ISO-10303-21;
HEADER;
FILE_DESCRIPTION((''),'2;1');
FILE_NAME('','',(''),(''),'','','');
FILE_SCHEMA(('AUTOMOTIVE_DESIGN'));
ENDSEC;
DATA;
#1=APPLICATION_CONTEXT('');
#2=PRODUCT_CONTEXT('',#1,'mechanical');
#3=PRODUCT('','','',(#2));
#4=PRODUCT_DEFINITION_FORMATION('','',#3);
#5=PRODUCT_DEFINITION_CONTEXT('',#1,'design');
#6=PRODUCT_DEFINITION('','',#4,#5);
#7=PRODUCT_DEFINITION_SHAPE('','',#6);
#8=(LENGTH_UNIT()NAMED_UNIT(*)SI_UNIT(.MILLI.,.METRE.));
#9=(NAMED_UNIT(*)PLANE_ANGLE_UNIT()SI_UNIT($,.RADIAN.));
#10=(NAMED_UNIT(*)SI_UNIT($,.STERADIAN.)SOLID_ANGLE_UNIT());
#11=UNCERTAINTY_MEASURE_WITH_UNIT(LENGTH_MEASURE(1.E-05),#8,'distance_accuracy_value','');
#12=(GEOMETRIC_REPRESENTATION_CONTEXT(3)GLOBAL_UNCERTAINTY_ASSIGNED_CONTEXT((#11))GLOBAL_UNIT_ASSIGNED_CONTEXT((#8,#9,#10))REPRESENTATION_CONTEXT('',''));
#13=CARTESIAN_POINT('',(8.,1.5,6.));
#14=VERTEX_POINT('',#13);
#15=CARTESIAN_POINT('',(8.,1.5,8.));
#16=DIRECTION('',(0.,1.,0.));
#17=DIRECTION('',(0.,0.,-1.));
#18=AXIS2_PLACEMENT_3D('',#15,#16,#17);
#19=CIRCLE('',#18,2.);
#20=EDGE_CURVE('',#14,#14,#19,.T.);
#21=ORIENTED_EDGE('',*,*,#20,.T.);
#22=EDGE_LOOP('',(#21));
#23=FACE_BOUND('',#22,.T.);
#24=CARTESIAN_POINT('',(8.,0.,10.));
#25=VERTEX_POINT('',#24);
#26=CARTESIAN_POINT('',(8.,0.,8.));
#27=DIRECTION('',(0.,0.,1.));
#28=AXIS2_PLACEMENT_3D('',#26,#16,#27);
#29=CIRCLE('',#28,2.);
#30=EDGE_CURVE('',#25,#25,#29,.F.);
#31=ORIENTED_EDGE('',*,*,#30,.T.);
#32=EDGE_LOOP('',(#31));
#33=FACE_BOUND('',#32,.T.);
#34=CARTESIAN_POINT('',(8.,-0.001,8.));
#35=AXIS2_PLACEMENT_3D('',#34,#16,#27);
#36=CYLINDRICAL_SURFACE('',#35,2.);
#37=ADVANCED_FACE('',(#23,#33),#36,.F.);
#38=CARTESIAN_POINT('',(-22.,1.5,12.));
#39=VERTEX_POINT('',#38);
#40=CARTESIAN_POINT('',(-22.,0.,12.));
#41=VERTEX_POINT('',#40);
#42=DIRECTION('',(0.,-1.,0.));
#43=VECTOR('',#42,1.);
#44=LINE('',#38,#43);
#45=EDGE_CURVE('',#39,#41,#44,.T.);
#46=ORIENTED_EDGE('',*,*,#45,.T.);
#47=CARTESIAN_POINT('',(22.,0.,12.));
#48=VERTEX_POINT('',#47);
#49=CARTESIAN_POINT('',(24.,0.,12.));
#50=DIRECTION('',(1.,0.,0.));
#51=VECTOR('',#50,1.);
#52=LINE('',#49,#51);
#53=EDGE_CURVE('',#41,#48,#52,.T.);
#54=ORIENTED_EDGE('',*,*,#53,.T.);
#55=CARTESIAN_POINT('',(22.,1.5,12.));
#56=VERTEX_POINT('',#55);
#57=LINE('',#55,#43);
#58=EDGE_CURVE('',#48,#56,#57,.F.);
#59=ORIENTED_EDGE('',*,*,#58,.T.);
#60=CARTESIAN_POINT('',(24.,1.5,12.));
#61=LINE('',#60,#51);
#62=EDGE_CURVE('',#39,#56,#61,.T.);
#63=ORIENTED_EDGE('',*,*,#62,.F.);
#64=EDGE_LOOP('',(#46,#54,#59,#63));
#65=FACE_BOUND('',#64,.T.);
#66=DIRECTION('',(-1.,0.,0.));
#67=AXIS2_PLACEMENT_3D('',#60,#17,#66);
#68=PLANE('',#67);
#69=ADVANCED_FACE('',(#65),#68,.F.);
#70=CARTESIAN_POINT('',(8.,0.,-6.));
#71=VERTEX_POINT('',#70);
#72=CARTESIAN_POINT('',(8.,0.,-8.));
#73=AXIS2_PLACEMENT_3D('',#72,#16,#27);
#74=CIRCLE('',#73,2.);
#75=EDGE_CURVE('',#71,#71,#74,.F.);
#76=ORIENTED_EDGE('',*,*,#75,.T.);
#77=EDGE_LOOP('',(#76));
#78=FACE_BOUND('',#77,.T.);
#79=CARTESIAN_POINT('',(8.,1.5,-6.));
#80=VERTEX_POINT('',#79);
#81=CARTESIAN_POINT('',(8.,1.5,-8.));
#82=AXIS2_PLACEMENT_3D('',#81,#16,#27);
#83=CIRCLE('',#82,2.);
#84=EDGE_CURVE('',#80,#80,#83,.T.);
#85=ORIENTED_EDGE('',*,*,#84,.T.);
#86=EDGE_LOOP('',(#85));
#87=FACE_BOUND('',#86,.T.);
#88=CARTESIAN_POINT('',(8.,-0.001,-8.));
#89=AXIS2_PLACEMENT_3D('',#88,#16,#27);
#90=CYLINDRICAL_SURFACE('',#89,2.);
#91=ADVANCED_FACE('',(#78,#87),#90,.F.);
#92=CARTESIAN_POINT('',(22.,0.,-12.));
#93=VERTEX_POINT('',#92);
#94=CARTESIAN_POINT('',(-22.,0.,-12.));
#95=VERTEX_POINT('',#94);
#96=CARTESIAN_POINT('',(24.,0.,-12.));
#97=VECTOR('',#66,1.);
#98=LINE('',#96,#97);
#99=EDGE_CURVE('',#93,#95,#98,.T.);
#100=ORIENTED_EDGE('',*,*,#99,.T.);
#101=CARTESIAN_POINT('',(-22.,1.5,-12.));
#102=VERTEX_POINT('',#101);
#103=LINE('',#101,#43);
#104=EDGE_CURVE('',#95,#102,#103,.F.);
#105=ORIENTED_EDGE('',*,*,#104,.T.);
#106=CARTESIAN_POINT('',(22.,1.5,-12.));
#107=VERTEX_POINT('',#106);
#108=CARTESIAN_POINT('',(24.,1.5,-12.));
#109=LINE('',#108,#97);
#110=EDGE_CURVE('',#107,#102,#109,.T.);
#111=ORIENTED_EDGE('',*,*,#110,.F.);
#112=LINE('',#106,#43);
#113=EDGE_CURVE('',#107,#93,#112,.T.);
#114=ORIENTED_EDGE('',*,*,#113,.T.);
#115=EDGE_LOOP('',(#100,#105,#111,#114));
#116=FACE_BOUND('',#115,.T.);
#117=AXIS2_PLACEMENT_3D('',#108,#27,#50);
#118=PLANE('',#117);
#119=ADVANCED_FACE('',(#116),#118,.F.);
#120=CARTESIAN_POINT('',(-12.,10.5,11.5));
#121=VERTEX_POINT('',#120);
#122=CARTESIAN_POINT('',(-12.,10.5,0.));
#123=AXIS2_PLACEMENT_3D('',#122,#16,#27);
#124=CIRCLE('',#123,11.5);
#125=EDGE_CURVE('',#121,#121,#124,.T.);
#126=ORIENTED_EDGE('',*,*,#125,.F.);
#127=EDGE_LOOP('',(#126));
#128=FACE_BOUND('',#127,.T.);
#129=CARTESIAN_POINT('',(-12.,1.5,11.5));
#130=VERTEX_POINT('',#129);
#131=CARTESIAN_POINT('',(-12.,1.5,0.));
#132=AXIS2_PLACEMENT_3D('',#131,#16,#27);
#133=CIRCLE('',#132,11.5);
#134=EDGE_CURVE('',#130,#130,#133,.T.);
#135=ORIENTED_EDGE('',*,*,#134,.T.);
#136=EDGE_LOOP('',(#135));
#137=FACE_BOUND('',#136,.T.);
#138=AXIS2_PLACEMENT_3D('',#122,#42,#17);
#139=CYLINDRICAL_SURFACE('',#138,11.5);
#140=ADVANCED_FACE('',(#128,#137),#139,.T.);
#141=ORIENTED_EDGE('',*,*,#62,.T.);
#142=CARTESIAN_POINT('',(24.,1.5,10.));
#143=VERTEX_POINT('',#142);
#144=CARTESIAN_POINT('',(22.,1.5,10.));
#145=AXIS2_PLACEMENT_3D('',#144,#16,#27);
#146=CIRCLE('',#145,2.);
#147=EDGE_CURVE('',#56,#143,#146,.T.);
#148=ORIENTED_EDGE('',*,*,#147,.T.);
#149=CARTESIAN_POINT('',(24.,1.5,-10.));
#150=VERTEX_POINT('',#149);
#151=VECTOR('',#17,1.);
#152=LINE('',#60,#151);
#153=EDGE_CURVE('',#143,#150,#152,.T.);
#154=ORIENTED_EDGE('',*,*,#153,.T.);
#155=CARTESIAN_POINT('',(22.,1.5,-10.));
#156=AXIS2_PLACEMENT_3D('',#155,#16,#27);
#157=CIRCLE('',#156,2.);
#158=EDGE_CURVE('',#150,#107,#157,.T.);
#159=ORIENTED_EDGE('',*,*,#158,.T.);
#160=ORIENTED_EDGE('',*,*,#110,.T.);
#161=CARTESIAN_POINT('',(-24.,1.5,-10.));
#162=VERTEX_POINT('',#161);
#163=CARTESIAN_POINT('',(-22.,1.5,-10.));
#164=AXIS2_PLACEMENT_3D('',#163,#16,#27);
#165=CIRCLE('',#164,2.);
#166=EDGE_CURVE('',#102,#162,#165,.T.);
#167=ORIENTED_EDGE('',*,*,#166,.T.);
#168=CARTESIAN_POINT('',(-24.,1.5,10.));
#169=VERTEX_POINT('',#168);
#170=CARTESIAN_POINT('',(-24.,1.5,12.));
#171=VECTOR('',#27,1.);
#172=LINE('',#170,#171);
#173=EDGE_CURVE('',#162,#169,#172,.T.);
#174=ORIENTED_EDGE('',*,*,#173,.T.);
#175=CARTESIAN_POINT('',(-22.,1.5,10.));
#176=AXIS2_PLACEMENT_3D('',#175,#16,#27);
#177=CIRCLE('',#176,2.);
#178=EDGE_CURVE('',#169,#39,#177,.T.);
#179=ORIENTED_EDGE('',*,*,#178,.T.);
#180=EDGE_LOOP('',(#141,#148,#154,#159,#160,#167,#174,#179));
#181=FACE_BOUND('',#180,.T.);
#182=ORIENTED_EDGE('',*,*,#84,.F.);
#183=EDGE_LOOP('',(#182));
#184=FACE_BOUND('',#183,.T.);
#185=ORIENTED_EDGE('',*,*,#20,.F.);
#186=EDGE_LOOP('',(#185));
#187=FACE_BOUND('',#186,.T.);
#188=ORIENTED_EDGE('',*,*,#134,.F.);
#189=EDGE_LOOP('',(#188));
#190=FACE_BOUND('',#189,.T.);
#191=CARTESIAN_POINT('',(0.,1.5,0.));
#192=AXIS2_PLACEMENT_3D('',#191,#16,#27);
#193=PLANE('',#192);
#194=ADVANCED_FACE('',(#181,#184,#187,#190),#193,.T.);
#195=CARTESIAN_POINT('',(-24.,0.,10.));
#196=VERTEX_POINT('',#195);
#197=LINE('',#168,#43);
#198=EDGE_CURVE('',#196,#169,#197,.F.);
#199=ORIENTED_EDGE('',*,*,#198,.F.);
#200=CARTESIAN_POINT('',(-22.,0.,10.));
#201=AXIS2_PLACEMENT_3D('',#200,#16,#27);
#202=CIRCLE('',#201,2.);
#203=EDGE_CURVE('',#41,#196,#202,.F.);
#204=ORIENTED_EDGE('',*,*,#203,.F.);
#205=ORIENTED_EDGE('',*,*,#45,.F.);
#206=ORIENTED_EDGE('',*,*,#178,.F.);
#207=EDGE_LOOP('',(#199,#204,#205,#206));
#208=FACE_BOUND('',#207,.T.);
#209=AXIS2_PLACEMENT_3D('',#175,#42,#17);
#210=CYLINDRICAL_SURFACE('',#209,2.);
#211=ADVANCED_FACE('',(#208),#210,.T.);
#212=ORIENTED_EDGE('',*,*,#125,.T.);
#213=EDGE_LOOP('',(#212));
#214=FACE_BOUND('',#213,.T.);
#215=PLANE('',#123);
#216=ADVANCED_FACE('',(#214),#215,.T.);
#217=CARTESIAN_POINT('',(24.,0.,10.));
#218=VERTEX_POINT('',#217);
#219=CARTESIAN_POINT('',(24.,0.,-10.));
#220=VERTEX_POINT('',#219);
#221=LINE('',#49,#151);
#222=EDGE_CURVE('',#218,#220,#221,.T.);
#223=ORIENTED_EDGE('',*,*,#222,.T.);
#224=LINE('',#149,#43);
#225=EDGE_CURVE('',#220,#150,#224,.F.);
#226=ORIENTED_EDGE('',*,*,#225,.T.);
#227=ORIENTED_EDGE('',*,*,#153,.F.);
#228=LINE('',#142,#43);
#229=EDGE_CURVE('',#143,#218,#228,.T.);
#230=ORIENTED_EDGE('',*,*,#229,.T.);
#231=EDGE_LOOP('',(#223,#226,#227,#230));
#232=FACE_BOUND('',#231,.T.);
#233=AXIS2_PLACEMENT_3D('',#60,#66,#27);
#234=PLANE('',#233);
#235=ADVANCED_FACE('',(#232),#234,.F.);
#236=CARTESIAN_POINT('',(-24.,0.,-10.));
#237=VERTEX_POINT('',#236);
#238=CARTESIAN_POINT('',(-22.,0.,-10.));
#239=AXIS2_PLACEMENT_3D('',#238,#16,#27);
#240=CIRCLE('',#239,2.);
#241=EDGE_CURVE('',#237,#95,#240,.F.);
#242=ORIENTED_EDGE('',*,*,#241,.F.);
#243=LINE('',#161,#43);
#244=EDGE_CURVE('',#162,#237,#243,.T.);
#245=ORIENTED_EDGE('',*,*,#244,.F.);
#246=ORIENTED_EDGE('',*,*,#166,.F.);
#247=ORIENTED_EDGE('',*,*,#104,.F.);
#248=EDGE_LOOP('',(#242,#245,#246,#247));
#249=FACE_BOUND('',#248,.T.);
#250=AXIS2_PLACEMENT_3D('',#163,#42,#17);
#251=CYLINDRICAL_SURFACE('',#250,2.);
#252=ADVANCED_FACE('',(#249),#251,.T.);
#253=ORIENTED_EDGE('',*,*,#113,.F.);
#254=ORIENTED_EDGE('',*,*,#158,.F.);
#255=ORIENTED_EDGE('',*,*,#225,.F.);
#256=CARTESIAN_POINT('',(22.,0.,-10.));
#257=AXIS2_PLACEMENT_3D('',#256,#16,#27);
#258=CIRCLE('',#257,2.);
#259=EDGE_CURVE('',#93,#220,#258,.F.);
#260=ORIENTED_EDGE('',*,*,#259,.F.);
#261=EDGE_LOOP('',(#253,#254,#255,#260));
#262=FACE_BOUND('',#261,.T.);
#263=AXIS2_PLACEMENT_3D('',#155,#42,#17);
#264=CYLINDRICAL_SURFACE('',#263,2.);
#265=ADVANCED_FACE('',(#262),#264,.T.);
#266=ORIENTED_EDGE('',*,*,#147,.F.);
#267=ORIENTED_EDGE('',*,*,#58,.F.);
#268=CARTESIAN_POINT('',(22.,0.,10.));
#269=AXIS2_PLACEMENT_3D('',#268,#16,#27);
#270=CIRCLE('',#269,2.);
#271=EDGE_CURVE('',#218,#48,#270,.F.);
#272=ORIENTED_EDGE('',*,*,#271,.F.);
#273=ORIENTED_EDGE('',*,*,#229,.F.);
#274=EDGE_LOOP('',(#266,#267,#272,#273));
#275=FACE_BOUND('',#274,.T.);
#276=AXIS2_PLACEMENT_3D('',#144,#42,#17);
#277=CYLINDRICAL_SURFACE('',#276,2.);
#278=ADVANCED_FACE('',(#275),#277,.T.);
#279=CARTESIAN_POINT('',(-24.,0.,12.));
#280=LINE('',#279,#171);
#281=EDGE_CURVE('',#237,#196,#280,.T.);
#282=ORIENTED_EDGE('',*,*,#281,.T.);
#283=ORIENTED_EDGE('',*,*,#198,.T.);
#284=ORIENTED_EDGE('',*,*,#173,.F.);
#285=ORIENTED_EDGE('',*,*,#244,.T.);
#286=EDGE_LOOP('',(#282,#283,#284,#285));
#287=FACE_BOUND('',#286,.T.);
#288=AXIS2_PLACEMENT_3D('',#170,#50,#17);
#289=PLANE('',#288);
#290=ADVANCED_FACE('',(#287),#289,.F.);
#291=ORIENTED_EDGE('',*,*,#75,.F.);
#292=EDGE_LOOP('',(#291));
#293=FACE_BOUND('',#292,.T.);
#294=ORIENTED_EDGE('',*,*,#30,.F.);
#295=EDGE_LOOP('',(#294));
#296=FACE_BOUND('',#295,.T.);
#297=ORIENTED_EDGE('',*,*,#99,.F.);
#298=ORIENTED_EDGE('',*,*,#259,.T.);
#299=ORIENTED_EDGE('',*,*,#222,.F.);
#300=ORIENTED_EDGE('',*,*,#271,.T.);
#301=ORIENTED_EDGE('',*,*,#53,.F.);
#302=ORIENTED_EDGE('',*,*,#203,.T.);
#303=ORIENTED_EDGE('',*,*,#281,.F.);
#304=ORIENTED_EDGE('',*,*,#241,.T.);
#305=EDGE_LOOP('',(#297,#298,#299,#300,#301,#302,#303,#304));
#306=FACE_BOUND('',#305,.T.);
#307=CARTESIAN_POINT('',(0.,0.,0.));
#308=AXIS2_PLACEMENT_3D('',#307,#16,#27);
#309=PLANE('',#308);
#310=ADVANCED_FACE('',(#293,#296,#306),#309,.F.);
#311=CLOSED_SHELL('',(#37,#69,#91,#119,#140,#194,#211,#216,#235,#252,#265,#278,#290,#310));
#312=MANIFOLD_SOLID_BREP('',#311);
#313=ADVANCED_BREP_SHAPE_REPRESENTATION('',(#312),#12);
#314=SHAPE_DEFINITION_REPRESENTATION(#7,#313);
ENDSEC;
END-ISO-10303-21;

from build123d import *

# Parameters (mm, degrees)
SKETCH_1_W          = 48
SKETCH_1_H          = 24
EXTRUDE_1_DEPTH     = 1.5
FILLET_1_R          = 2
CUT_EXTRUDE_1_REACH = 3.5
SKETCH_2_R          = 2
SKETCH_3_R          = 11.5
EXTRUDE_2_DEPTH     = 9


with BuildPart() as part:
    # 草图1 → 凸台-拉伸1 (new body)
    with BuildSketch(Plane(origin=(0, 0, 0), x_dir=(1, 0, 0), z_dir=(0, 1, 0))):
        Rectangle(SKETCH_1_W, SKETCH_1_H)
    extrude(amount=EXTRUDE_1_DEPTH)

    # 圆角1
    fillet_1_edges = [part.edges().sort_by_distance(p)[0] for p in [
        (-24, 0.75, -12),
        (24, 0.75, -12),
        (24, 0.75, 12),
        (-24, 0.75, 12),
    ]]
    fillet(fillet_1_edges, radius=FILLET_1_R)

    # 草图2 → 切除-拉伸1 (cut, up to next)
    with BuildSketch(Plane(origin=(0, 1.5, 0), x_dir=(1, 0, 0), z_dir=(0, 1, 0)), mode=Mode.PRIVATE) as cut_extrude_1_sk1:
        with Locations((8, 8)):
            Circle(SKETCH_2_R)
    cut_extrude_1_tool1 = extrude(cut_extrude_1_sk1.sketch, amount=-CUT_EXTRUDE_1_REACH, mode=Mode.PRIVATE) & part.part
    add(cut_extrude_1_tool1.solids().sort_by_distance((8, 1.5, -8))[0], mode=Mode.SUBTRACT)
    # 草图2 → 切除-拉伸1 (cut, up to next)
    with BuildSketch(Plane(origin=(0, 1.5, 0), x_dir=(1, 0, 0), z_dir=(0, 1, 0)), mode=Mode.PRIVATE) as cut_extrude_1_sk2:
        with Locations((8, -8)):
            Circle(SKETCH_2_R)
    cut_extrude_1_tool2 = extrude(cut_extrude_1_sk2.sketch, amount=-CUT_EXTRUDE_1_REACH, mode=Mode.PRIVATE) & part.part
    add(cut_extrude_1_tool2.solids().sort_by_distance((8, 1.5, 8))[0], mode=Mode.SUBTRACT)

    # 草图3 → 凸台-拉伸2 (add)
    with BuildSketch(Plane(origin=(0, 1.5, 0), x_dir=(1, 0, 0), z_dir=(0, 1, 0))):
        with Locations((-12, 0)):
            Circle(SKETCH_3_R)
    extrude(amount=EXTRUDE_2_DEPTH)


solid = part.part
